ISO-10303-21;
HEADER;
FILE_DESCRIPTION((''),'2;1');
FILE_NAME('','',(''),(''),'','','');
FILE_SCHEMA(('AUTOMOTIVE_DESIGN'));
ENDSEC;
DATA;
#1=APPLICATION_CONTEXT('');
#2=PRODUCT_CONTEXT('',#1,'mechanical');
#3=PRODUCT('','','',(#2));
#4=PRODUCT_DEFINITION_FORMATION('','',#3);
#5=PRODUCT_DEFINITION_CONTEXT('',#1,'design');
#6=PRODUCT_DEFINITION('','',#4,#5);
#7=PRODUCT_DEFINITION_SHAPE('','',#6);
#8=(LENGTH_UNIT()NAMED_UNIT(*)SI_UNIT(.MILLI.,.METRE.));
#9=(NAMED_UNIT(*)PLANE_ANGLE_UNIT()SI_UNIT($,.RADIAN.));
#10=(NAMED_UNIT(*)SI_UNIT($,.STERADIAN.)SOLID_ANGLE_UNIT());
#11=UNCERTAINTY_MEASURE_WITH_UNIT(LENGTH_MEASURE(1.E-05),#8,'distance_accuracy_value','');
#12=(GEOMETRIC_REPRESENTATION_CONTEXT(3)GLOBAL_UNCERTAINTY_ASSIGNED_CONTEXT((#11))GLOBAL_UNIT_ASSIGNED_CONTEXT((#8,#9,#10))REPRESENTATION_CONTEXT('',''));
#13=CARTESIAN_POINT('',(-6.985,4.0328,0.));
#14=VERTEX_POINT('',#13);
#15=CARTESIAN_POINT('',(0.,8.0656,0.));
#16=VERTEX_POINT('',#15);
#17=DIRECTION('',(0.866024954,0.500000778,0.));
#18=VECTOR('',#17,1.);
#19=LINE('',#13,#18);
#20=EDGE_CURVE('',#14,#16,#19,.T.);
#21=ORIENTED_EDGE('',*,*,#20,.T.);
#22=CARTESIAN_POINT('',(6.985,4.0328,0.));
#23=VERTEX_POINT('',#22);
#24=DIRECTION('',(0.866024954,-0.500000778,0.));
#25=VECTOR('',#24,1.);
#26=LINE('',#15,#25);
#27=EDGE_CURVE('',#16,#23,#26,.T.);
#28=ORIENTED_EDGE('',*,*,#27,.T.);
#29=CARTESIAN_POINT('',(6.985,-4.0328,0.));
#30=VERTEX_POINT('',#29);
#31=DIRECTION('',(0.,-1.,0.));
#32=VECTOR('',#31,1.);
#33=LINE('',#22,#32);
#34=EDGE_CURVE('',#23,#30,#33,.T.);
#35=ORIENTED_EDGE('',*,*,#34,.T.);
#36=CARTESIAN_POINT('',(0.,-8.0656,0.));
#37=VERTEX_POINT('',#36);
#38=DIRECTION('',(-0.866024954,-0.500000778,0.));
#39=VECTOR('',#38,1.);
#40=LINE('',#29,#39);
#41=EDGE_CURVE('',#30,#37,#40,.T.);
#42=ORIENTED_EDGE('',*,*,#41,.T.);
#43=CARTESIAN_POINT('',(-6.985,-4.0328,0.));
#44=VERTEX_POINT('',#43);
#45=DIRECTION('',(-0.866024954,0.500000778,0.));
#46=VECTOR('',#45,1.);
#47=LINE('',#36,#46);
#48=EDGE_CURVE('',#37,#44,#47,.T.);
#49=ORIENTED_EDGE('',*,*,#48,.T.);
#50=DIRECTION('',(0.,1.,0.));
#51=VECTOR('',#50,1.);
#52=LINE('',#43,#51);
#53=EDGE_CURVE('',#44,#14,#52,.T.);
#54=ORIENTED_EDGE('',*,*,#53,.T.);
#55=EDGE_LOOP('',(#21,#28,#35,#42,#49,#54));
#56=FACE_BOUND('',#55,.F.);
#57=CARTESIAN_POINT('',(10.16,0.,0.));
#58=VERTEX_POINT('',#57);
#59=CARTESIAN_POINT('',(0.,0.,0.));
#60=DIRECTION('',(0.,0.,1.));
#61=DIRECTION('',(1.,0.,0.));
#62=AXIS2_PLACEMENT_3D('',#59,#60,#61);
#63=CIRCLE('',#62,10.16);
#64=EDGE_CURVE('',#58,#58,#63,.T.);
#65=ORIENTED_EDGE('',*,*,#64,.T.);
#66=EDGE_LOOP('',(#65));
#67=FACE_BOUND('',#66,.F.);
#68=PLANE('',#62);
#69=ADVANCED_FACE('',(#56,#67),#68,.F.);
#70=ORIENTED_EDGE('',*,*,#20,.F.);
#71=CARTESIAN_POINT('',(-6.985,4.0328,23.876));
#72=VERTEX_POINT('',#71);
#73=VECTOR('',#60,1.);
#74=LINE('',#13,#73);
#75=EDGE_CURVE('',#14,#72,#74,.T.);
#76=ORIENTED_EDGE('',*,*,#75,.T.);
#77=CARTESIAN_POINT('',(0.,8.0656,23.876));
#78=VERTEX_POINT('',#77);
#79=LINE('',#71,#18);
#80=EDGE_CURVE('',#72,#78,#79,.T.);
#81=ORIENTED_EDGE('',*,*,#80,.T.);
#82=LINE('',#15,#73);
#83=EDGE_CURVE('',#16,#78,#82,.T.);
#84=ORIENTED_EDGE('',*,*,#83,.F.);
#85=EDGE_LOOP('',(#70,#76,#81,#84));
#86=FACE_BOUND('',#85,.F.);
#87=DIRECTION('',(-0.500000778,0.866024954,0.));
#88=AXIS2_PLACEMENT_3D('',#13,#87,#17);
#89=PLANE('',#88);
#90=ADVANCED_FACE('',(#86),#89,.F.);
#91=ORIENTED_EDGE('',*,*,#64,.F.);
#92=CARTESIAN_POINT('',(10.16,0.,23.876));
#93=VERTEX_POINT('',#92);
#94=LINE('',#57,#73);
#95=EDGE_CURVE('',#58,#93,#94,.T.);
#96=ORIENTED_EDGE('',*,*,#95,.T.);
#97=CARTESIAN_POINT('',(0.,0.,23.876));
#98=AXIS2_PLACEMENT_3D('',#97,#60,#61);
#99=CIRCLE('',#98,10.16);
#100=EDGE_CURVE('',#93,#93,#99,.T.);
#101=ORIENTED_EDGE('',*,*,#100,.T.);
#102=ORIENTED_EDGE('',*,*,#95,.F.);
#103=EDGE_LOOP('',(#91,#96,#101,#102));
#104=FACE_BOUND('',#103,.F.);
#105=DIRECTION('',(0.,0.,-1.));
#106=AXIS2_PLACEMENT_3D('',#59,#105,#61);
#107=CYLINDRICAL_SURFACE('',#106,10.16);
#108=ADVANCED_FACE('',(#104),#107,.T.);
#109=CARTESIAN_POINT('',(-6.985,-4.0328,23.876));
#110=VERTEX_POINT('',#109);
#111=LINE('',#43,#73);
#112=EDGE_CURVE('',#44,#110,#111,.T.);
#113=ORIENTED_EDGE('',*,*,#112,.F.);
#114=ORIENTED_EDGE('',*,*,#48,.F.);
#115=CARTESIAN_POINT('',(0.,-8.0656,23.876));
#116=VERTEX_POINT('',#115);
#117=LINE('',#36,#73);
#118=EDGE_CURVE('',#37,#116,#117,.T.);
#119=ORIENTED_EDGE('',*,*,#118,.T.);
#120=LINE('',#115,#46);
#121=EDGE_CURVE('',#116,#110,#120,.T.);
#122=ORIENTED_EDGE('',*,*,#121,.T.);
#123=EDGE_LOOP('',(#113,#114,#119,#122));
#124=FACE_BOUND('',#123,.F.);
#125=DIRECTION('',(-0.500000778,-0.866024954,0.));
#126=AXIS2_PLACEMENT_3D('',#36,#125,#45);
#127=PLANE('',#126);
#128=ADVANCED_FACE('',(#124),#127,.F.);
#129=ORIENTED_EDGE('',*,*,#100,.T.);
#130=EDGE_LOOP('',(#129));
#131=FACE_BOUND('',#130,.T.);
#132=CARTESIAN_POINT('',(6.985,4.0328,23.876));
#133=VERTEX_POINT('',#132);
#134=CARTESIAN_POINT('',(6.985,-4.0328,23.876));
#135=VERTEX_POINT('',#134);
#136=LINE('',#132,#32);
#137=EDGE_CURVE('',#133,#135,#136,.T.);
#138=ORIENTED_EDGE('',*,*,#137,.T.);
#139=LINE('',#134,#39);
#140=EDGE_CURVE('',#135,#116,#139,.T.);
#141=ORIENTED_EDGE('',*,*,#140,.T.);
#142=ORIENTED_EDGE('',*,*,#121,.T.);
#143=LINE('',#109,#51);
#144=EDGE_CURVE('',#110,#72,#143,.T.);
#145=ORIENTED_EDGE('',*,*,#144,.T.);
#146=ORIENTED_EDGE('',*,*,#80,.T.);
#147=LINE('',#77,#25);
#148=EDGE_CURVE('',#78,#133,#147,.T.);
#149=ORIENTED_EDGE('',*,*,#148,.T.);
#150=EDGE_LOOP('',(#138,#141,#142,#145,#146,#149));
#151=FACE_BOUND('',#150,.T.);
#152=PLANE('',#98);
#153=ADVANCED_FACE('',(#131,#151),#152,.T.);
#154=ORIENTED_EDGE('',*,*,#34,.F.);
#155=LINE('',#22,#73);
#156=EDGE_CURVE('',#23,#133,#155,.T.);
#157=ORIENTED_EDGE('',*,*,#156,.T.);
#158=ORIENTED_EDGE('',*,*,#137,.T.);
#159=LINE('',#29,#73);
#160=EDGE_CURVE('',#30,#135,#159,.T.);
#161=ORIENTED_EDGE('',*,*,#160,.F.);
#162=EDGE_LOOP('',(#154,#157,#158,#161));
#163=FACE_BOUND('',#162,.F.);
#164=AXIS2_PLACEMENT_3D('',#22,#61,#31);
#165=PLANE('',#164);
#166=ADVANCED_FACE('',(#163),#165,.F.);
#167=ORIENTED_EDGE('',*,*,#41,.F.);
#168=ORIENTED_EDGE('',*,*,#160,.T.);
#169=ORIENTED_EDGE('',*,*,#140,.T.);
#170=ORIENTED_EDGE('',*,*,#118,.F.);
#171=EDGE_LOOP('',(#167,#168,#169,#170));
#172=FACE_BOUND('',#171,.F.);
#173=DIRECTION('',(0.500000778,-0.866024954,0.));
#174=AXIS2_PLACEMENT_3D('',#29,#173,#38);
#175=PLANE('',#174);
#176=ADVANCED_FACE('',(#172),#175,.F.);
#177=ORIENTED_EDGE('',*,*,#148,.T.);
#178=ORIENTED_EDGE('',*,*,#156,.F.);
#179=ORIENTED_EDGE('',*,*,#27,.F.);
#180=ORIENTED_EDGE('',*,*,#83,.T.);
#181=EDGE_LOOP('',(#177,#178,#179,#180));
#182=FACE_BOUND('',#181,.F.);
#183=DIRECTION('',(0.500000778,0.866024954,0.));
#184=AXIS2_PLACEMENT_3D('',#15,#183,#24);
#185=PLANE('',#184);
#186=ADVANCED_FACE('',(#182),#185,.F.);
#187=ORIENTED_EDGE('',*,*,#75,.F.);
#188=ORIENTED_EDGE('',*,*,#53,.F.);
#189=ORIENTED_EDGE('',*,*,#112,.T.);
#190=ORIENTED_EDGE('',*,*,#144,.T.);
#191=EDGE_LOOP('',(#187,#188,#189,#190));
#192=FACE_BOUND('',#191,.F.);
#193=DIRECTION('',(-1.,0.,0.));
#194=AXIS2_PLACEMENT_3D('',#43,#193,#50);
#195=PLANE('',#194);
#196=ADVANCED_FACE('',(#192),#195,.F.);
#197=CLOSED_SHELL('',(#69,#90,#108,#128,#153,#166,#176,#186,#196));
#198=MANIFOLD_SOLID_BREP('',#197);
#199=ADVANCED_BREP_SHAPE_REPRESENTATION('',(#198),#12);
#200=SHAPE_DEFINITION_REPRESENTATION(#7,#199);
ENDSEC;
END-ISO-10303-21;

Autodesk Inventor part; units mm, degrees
ref_plane "YZ Plane" through (0, 0, 0) normal (1, 0, 0) x (0, 1, 0)
ref_plane "XZ Plane" through (0, 0, 0) normal (0, 1, 0) x (-1, 0, 0)
ref_plane "XY Plane" through (0, 0, 0) normal (0, 0, 1) x (1, 0, 0)
sketch "Sketch1" plane through (0, 0, 0) normal (0, 0, 1) x (1, 0, 0)
  line L0 (-6.985, -4.0328) -> (-6.985, 4.0328)
  line L1 (-6.985, 4.0328) -> (0, 8.0656)
  line L2 (0, 8.0656) -> (6.985, 4.0328)
  line L3 (6.985, 4.0328) -> (6.985, -4.0328)
  line L4 (6.985, -4.0328) -> (0, -8.0656)
  line L5 (0, -8.0656) -> (-6.985, -4.0328)
  circle A0 centre (0, 0) radius 10.16
  dimension "d0" = 13.97
  dimension "d1" = 20.32
extrude "Extrusion1" add sketch "Sketch1" along normal blind 23.876
properties part number "3DPRINT,TURRET,HEX,SPACER" material "ABS Plastic"
